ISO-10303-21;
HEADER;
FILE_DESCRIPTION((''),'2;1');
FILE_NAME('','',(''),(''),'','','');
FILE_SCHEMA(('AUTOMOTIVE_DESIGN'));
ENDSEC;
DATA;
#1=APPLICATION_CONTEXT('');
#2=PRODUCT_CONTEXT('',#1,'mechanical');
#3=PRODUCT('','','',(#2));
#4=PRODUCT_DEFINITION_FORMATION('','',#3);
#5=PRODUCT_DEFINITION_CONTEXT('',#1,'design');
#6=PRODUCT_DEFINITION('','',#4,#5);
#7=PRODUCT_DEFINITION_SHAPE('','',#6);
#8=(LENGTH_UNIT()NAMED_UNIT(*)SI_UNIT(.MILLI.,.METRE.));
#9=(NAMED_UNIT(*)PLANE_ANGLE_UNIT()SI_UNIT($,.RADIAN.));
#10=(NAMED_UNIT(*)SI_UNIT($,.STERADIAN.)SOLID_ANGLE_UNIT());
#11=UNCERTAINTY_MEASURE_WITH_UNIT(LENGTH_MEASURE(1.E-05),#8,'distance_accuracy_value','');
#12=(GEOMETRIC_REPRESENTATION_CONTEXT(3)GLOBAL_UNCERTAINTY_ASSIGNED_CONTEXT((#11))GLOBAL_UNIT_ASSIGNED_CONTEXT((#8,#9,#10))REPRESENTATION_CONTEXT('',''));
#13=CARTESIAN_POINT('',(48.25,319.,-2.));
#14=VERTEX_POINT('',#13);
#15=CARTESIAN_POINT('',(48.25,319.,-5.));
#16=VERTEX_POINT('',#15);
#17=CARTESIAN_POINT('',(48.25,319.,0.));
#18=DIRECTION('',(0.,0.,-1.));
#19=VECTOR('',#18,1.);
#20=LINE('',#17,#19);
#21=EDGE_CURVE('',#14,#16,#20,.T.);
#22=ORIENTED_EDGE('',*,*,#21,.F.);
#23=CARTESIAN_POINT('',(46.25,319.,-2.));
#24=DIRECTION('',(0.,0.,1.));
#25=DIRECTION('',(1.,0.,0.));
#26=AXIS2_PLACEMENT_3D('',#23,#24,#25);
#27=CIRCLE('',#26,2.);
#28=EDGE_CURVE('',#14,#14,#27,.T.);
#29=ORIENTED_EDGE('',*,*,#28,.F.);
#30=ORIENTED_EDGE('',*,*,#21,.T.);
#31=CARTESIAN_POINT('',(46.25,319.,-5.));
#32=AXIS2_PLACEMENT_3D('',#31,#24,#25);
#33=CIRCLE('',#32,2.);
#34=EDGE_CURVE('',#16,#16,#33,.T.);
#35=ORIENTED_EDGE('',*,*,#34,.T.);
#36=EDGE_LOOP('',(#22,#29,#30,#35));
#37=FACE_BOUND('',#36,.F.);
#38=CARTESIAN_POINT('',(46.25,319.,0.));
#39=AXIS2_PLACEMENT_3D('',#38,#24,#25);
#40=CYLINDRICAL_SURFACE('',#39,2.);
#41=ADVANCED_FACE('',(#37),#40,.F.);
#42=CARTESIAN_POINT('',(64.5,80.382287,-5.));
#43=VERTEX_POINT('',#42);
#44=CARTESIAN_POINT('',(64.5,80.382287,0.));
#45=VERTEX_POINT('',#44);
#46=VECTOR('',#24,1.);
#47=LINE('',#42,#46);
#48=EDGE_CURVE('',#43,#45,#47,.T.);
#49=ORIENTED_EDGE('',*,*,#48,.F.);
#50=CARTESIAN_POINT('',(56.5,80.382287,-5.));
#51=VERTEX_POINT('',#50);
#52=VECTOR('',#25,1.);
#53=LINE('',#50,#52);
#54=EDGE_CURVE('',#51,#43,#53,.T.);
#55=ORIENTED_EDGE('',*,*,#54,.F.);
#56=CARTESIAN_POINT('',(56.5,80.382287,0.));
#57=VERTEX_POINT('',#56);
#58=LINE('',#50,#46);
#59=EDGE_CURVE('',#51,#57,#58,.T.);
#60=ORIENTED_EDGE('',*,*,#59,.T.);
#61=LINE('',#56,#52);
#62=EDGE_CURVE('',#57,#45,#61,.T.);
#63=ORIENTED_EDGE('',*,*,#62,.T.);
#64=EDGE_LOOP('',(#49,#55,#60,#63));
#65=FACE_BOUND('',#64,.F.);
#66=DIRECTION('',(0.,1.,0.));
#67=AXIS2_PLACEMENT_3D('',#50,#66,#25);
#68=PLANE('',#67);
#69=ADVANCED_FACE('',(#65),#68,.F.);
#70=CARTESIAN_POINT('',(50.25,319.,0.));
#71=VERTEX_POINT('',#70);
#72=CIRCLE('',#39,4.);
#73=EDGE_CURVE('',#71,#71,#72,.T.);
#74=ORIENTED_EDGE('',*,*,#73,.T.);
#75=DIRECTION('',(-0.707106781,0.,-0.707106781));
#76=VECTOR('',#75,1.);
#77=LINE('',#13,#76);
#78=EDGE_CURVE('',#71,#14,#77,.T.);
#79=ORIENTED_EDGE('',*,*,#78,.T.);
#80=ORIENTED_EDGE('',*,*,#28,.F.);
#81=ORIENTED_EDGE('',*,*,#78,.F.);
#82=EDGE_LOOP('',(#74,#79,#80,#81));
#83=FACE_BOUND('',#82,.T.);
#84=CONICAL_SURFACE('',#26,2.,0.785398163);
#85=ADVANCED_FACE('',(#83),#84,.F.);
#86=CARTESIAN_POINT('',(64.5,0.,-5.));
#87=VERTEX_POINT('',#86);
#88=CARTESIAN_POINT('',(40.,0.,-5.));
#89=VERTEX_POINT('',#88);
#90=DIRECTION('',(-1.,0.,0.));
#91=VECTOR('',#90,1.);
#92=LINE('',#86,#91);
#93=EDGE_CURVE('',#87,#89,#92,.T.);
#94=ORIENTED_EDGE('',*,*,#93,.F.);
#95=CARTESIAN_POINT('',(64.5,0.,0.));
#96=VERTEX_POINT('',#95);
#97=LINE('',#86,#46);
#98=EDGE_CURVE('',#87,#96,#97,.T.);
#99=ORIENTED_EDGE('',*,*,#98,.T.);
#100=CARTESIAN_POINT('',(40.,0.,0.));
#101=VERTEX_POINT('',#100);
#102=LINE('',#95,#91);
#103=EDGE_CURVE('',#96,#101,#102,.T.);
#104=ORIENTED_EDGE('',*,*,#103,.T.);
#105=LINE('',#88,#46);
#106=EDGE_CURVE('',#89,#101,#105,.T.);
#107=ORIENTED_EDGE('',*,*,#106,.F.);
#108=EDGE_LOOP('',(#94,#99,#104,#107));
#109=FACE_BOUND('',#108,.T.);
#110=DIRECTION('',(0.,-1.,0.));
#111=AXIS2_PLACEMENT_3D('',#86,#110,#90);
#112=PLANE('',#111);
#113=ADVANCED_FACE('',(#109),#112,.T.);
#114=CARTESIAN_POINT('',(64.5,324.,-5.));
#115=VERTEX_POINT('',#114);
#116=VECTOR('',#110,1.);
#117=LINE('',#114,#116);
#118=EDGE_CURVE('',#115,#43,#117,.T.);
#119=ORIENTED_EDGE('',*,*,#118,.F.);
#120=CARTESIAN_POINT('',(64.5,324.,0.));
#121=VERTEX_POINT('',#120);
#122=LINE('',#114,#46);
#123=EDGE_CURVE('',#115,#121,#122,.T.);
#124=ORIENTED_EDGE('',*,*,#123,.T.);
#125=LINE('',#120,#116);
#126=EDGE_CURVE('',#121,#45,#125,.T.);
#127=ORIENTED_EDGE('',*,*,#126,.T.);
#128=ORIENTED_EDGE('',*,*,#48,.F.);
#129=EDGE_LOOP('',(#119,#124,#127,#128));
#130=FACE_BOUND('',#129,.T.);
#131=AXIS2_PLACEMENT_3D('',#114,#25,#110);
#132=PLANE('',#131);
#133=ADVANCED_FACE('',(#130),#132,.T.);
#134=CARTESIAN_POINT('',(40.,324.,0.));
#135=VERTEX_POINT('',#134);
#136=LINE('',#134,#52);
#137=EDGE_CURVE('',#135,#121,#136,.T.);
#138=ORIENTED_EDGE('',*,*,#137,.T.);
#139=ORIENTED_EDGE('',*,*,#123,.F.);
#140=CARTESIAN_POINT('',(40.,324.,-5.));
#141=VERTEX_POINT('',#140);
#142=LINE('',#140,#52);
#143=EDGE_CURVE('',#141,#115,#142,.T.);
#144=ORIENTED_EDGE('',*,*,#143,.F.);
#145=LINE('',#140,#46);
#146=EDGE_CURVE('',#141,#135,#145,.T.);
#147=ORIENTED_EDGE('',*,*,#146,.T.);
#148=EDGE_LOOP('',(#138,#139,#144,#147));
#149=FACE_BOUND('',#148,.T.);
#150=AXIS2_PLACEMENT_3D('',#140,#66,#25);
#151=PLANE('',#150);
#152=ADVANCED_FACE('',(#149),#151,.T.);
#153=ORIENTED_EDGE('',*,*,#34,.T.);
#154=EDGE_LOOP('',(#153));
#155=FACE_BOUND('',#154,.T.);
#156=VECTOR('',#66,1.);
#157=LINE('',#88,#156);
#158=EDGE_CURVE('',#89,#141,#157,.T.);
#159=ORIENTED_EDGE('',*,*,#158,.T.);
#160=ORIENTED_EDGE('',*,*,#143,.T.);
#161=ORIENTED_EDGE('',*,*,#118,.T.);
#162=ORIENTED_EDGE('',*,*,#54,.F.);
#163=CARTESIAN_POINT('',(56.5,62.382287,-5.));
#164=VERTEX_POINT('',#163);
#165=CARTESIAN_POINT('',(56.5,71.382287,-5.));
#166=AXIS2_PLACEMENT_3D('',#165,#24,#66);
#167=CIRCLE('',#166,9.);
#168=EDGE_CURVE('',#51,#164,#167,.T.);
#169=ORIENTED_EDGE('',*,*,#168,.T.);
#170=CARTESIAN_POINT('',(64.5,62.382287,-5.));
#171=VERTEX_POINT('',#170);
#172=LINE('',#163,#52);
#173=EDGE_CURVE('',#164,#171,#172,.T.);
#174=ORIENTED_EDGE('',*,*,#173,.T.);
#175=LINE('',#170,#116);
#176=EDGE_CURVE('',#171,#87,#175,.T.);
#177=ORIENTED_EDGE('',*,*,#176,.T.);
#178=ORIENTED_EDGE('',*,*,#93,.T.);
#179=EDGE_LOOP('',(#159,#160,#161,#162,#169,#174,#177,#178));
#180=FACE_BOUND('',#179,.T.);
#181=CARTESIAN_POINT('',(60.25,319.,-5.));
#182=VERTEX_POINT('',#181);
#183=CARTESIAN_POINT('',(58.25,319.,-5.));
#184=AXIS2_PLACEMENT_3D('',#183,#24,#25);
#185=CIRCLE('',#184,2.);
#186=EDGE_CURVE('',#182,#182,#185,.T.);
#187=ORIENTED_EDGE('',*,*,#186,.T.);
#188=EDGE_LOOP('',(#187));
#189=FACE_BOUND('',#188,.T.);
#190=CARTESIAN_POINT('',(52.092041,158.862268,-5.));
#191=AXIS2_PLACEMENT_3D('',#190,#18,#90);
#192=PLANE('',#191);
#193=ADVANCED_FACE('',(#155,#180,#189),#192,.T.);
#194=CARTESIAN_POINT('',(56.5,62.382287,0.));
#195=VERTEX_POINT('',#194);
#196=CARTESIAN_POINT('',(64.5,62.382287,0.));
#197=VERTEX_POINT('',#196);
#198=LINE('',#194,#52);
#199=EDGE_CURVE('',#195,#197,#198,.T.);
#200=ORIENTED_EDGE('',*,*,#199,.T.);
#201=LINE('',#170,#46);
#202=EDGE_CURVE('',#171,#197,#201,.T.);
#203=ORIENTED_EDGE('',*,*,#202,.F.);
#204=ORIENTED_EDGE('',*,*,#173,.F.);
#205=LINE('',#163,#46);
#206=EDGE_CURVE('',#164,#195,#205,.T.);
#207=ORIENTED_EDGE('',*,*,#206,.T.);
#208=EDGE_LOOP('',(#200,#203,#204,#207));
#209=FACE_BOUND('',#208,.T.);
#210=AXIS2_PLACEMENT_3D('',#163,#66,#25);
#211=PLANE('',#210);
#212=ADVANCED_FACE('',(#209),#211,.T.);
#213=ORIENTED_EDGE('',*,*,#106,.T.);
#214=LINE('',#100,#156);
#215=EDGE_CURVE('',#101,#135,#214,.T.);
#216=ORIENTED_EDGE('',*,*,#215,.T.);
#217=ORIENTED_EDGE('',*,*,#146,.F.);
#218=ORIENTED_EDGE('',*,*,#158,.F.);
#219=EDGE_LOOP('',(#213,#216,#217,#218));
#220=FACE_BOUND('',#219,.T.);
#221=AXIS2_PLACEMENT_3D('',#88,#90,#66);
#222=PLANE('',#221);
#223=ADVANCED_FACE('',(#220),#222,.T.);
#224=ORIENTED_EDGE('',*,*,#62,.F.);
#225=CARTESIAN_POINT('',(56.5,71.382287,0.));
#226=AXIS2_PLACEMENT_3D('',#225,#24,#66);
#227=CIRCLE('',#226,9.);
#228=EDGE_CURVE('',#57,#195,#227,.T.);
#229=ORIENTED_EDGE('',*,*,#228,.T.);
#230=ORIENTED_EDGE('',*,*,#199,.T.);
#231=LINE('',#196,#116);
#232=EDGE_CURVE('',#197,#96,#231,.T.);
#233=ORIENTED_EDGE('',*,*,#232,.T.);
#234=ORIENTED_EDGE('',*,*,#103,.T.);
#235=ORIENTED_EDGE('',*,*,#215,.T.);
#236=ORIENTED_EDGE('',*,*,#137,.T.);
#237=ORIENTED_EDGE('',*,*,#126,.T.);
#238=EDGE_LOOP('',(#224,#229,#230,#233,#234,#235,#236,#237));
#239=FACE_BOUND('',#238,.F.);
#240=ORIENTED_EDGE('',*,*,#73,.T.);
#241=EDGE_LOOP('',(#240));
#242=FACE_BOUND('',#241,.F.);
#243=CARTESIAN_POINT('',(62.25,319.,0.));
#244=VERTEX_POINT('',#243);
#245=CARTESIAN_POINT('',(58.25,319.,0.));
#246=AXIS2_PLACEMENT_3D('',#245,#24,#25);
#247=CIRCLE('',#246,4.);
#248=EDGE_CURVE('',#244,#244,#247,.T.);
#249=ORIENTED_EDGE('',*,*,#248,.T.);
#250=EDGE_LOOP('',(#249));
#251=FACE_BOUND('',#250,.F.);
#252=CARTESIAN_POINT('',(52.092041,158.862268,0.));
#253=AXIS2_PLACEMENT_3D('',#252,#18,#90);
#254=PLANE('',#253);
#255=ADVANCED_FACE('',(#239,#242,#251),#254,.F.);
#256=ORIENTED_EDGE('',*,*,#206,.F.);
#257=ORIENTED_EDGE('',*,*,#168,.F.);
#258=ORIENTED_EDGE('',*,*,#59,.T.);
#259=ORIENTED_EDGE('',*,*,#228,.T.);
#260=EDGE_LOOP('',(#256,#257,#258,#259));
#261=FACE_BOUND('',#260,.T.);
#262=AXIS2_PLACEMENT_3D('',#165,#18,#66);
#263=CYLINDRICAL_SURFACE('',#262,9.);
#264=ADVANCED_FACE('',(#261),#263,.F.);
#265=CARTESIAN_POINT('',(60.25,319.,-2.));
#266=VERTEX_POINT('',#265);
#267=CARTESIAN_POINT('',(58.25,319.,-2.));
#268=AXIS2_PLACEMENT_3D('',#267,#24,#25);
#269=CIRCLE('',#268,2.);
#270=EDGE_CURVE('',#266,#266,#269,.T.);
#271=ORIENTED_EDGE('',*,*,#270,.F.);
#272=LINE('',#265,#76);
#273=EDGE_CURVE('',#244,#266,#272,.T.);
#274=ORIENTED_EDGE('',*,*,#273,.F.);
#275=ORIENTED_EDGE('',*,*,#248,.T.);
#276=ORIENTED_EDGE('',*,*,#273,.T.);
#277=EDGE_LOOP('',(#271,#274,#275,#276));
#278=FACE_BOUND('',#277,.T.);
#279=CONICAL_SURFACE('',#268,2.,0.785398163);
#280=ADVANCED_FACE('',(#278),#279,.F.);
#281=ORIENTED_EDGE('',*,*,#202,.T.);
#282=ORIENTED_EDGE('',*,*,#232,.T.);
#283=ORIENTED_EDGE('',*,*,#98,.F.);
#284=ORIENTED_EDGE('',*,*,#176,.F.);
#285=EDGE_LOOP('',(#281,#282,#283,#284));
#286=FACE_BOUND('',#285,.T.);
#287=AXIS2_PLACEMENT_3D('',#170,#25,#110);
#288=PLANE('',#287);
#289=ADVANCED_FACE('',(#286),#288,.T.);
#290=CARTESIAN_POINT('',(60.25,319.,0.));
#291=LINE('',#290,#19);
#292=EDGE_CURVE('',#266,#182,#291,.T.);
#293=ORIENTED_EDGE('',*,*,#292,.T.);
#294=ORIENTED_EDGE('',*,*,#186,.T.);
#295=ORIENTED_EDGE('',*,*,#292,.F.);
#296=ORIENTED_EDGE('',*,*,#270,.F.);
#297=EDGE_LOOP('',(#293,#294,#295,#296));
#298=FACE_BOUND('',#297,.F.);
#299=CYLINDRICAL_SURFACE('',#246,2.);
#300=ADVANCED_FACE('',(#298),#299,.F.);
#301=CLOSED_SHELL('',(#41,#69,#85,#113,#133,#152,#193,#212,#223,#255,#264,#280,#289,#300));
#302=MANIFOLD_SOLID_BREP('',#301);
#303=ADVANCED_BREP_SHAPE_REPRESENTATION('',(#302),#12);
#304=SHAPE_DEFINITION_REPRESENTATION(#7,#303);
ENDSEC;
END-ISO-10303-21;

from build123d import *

# Parameters (mm, degrees)
PAD026_DEPTH    = 5
SKETCH058_R     = 2
POCKET036_DEPTH = 5.001
CHAMFER020_SIZE = 2


with BuildPart() as part:
    # Sketch053 → Pad026 (new body)
    with BuildSketch(Plane.XY):
        with BuildLine():
            Line((-81.323184, -45.417713), (-81.323184, -107.8))
            Line((-81.323184, -107.8), (-105.823184, -107.8))
            Line((-105.823184, -107.8), (-105.823184, 216.2))
            Line((-105.823184, 216.2), (-81.323184, 216.2))
            Line((-81.323184, 216.2), (-81.323184, -27.417713))
            Line((-89.323184, -27.417713), (-81.323184, -27.417713))
            ThreePointArc((-89.323184, -27.417713), (-98.323184, -36.417713), (-89.323184, -45.417713))
            Line((-89.323184, -45.417713), (-81.323184, -45.417713))
        make_face()
    extrude(amount=PAD026_DEPTH)

    # Sketch058 (on Face10 of Pad026) → Pocket036 (cut, through all)
    with BuildSketch(Plane.XY.offset(5)):
        with Locations((-99.573184, 211.2)):
            Circle(SKETCH058_R)
        with Locations((-87.573184, 211.2)):
            Circle(SKETCH058_R)
    extrude(amount=-POCKET036_DEPTH, mode=Mode.SUBTRACT)

    # Chamfer020
    chamfer020_edges = [part.edges().sort_by_distance(p)[0] for p in [
        (-89.573184, 211.2, 5),
        (-101.573184, 211.2, 5),
    ]]
    chamfer(chamfer020_edges, length=CHAMFER020_SIZE)


with BuildPart() as part_1:
    # Body019 placement: moved
    add(part.part.moved(Location((-50, 0, 15.5))))


with BuildPart() as part_2:
    # Clone006 placement: moved
    add(part_1.part.moved(Location((195.823184, 107.8, -20.5))))


solid = part_2.part
